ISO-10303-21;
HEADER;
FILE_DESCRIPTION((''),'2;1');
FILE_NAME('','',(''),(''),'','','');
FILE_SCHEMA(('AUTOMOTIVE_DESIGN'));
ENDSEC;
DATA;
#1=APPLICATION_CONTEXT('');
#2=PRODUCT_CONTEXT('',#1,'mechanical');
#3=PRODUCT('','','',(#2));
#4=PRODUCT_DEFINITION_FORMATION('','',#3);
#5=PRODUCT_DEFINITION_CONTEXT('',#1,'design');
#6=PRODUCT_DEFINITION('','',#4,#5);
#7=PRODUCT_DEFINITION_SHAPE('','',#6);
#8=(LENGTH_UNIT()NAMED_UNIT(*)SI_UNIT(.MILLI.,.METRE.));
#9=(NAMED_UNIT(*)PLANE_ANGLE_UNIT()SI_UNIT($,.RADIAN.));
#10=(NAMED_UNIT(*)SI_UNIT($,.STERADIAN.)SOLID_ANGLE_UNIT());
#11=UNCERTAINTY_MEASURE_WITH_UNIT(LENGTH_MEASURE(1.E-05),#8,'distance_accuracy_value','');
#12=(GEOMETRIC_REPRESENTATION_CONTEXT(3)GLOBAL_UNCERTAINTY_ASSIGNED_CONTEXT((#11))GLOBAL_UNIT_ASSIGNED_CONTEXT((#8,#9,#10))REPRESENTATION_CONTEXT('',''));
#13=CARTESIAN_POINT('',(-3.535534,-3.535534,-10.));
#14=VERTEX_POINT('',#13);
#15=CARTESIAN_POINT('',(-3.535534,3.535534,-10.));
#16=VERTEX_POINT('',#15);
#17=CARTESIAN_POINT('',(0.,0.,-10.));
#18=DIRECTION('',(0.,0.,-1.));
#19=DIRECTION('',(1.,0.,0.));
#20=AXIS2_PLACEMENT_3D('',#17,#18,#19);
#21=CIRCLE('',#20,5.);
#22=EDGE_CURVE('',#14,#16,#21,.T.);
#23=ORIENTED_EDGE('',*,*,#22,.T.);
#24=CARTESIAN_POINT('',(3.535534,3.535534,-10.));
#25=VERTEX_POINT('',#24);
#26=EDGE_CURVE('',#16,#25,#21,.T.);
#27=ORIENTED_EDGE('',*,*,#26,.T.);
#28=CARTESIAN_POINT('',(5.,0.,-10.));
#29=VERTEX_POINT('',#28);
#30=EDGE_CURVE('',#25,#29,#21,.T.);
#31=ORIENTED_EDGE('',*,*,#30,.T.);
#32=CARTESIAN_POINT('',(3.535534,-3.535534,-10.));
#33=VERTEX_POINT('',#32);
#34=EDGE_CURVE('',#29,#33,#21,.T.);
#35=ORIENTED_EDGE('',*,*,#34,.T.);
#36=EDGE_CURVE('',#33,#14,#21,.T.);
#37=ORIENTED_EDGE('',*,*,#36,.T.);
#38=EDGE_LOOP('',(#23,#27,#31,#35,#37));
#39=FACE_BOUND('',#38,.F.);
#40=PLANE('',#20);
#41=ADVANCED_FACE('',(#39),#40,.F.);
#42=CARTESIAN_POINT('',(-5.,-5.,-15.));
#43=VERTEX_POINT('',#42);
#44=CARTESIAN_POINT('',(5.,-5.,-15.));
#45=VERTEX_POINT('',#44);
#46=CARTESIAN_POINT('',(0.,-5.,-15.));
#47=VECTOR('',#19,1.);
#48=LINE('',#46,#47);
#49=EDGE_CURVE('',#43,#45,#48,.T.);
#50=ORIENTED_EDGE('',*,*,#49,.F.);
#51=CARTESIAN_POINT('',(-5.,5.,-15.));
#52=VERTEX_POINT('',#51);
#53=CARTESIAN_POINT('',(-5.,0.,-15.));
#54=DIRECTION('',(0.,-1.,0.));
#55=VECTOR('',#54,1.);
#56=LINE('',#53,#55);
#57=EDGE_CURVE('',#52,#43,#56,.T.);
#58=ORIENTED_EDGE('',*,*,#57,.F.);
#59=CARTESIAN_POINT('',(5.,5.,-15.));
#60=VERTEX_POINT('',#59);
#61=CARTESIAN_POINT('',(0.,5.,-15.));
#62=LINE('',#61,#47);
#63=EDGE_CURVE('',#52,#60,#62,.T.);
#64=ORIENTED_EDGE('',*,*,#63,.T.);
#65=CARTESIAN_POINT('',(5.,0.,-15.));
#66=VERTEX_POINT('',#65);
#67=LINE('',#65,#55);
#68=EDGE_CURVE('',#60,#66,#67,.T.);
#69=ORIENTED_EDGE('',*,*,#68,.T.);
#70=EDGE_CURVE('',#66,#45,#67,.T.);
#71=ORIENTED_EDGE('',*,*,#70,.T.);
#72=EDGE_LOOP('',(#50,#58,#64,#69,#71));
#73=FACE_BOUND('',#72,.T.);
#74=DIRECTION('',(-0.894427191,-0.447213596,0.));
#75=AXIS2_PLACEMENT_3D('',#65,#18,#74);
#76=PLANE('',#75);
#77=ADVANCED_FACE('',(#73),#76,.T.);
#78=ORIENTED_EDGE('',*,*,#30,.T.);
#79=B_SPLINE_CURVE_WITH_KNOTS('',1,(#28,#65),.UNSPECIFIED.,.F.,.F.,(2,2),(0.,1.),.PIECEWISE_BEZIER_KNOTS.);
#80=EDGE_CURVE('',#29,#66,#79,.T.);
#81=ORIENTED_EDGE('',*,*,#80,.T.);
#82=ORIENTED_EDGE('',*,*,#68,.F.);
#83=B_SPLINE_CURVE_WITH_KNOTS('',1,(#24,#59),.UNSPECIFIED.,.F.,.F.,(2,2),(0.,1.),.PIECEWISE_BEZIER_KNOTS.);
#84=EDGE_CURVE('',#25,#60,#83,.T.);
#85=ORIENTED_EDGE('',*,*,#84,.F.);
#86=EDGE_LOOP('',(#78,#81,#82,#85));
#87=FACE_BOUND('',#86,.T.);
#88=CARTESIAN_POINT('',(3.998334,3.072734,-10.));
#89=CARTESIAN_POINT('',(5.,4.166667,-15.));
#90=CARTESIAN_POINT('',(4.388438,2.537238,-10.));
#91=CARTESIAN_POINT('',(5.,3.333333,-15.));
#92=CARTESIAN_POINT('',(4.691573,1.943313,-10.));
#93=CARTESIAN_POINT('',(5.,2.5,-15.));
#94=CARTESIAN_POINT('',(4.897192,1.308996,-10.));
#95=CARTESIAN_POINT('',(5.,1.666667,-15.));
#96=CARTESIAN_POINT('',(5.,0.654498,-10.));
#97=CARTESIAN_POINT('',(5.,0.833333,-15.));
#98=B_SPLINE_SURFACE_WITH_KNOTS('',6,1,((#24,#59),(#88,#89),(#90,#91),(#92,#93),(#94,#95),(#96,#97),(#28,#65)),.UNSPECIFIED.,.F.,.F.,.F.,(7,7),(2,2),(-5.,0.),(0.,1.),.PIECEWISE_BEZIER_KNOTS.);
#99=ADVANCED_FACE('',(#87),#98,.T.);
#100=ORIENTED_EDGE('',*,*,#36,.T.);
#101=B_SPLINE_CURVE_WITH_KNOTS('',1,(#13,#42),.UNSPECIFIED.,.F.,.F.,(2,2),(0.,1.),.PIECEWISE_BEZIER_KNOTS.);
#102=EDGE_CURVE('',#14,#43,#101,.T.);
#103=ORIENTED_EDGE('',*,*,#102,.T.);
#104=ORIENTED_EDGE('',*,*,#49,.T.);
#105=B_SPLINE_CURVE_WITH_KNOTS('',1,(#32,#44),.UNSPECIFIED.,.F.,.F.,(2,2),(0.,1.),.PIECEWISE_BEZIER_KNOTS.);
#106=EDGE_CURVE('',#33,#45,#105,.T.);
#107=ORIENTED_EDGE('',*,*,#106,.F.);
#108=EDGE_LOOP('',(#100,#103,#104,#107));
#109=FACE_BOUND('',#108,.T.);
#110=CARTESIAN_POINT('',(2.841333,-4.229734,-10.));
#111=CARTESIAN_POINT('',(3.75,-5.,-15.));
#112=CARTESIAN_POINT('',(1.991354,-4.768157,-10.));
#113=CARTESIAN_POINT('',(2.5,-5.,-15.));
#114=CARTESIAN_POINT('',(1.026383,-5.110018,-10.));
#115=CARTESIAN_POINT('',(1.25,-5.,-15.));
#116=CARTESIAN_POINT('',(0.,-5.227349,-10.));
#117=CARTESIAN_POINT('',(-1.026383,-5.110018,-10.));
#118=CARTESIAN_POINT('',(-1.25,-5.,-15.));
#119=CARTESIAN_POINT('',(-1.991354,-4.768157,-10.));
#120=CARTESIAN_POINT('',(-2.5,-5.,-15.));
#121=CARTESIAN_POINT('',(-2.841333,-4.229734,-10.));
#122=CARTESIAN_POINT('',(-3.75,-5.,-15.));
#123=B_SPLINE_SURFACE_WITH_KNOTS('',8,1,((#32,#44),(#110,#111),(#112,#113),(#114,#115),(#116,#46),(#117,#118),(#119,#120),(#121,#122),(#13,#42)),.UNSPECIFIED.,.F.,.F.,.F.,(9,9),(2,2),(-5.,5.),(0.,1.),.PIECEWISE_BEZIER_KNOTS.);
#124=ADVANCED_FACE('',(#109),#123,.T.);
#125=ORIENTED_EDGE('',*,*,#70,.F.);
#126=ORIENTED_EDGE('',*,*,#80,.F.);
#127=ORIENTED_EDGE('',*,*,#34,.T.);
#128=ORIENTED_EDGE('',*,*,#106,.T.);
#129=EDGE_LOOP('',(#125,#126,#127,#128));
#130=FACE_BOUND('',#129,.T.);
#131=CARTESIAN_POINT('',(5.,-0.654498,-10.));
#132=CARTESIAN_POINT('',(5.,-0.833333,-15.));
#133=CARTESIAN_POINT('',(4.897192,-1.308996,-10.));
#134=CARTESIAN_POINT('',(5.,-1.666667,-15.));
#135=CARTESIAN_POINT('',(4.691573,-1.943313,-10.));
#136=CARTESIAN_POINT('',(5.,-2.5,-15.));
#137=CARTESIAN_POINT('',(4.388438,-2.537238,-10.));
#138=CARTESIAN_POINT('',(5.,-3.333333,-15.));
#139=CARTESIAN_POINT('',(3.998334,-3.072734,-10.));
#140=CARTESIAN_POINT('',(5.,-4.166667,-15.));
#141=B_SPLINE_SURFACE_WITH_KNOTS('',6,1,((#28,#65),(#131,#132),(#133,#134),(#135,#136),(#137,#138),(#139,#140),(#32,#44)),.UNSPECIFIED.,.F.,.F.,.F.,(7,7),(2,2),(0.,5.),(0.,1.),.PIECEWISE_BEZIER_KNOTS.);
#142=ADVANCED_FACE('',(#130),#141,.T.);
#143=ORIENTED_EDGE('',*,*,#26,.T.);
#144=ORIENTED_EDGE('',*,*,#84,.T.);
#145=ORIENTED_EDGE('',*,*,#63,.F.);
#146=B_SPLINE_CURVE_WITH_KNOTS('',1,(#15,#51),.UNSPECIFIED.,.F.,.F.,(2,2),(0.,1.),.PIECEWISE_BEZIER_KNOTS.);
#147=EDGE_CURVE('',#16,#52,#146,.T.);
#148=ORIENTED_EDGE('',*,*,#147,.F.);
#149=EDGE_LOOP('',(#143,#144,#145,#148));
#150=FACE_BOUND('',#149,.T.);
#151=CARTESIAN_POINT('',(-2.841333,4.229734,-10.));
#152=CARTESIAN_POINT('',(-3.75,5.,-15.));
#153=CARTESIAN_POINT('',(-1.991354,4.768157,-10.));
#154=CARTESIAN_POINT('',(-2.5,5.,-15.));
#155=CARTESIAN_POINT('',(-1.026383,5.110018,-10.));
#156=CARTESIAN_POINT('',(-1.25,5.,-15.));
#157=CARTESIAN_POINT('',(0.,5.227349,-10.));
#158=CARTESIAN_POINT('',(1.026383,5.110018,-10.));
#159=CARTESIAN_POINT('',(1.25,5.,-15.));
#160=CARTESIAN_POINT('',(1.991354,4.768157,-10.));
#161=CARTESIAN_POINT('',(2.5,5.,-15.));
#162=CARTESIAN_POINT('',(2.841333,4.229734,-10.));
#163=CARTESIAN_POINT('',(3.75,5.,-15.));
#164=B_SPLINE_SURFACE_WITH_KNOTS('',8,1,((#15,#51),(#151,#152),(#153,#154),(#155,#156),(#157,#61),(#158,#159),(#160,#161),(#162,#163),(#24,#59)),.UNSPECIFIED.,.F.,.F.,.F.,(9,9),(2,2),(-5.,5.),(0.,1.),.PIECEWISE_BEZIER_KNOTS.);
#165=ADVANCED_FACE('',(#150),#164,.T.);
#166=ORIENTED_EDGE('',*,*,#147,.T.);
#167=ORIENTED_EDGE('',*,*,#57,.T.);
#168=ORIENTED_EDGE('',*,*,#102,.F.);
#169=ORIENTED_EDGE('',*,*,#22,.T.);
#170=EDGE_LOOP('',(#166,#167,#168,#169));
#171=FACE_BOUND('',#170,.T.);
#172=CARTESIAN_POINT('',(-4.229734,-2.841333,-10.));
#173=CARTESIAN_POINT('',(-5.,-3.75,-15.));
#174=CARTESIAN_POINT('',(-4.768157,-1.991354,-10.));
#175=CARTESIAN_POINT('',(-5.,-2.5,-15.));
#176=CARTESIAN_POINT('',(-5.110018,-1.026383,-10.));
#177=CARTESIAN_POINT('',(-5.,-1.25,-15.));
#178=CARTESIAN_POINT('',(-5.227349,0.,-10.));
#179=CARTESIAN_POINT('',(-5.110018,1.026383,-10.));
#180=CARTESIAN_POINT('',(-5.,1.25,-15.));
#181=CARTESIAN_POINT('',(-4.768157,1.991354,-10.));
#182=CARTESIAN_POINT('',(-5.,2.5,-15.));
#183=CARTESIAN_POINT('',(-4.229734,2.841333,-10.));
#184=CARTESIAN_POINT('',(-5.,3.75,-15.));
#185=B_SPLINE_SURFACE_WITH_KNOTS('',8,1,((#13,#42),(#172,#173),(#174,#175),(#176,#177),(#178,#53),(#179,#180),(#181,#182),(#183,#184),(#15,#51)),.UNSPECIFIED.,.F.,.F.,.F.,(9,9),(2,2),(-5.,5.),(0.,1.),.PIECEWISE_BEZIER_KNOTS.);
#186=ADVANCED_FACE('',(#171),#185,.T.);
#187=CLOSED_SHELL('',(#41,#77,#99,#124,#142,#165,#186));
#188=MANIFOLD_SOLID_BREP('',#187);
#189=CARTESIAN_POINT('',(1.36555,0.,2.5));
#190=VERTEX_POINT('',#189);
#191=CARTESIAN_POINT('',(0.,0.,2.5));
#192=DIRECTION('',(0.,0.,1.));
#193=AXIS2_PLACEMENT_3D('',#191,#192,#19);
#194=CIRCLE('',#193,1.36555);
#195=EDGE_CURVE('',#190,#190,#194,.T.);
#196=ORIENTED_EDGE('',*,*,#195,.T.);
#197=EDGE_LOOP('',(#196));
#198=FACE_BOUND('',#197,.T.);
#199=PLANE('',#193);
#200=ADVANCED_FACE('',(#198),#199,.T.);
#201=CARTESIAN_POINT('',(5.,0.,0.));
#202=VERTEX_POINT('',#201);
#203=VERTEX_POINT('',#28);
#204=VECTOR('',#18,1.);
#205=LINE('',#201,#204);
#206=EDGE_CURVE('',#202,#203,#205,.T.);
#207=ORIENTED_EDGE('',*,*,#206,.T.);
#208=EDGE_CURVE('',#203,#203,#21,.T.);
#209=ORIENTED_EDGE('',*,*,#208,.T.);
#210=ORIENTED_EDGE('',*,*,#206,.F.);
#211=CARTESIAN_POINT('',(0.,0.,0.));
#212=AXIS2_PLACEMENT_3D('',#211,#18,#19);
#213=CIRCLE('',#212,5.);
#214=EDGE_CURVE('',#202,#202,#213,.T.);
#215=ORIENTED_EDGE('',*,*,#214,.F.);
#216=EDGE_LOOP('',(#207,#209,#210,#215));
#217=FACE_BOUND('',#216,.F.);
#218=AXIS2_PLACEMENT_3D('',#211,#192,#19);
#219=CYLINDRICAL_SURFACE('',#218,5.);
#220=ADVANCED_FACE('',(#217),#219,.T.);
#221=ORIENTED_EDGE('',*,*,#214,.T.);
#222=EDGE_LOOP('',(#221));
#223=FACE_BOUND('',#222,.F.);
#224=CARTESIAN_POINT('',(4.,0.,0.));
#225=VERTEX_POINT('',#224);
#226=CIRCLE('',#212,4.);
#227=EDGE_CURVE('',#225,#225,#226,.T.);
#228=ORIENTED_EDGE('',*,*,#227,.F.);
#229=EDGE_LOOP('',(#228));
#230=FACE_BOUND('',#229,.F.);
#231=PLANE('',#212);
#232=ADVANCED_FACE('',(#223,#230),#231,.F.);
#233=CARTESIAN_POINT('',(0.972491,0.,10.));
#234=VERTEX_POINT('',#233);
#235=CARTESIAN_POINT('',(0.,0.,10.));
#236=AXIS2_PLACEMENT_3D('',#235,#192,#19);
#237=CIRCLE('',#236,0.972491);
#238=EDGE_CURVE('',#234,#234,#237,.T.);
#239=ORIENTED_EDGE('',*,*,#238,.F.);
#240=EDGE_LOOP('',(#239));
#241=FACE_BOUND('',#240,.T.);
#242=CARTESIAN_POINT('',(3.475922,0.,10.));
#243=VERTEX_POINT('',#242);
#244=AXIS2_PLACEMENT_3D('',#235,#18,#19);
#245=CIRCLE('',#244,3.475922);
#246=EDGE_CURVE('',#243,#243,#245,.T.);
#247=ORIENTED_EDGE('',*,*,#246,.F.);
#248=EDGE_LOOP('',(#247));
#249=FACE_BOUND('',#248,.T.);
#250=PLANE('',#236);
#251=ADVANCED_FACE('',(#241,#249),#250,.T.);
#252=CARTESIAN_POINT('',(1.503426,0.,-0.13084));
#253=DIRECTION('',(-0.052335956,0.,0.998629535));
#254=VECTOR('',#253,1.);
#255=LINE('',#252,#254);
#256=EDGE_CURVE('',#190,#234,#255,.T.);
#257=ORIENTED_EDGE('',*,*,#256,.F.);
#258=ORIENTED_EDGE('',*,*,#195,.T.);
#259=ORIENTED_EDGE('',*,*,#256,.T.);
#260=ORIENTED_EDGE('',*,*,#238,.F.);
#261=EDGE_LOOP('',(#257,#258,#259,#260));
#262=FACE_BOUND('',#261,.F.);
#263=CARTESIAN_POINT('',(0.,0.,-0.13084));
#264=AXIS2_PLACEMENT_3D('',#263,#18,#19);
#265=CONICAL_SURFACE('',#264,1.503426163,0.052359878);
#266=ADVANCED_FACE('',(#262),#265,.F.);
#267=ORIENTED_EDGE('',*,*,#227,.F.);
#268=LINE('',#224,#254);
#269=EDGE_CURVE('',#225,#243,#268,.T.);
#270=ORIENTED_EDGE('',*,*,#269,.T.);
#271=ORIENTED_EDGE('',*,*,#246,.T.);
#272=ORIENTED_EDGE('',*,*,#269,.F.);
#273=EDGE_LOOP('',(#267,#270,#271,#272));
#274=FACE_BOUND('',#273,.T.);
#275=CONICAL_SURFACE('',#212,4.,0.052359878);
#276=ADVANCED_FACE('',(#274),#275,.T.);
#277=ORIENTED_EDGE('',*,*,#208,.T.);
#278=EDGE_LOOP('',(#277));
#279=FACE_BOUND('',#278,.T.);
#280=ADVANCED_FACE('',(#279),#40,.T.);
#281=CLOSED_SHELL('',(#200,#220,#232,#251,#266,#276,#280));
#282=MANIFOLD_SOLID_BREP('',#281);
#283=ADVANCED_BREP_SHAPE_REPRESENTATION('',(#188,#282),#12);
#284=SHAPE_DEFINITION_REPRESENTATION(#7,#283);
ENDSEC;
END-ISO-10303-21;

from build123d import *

# Parameters (mm, degrees)
F0_R      = 4
F1_DEPTH  = 10
F1_TAPER  = 3
F2_T      = -2.5
F3_R      = 5
F4_DEPTH  = 10
F4_FACE_R = 5
F6_W      = 10
F6_H      = 10


with BuildPart() as f1:
    # F0 (on Top) → F1 (new body)
    with BuildSketch(Plane.XY):
        Circle(F0_R)
    extrude(amount=F1_DEPTH, taper=F1_TAPER)

    # F2
    f2_openings = [f1.faces().sort_by_distance(p)[0] for p in [
        (0, 0, 10),
    ]]
    offset(amount=F2_T, openings=f2_openings)

    # F3 (on face) → F4 (join)
    with BuildSketch(Plane(origin=(0, 0, 0), x_dir=(1, 0, 0), z_dir=(0, 0, -1))):
        Circle(F3_R)
    extrude(amount=F4_DEPTH)


with BuildPart() as f7:
    # F4_face (on face) → F7 section 0
    with BuildSketch(Plane(origin=(0, 0, -10), x_dir=(1, 0, 0), z_dir=(0, 0, -1))):
        Circle(F4_FACE_R)
    # F6 (on offset) → F7 section 1
    with BuildSketch(Plane(origin=(0, 0, -15), x_dir=(1, 0, 0), z_dir=(0, 0, -1))):
        Rectangle(F6_W, F6_H)
    loft()


solid = Compound([f1.part, f7.part])
